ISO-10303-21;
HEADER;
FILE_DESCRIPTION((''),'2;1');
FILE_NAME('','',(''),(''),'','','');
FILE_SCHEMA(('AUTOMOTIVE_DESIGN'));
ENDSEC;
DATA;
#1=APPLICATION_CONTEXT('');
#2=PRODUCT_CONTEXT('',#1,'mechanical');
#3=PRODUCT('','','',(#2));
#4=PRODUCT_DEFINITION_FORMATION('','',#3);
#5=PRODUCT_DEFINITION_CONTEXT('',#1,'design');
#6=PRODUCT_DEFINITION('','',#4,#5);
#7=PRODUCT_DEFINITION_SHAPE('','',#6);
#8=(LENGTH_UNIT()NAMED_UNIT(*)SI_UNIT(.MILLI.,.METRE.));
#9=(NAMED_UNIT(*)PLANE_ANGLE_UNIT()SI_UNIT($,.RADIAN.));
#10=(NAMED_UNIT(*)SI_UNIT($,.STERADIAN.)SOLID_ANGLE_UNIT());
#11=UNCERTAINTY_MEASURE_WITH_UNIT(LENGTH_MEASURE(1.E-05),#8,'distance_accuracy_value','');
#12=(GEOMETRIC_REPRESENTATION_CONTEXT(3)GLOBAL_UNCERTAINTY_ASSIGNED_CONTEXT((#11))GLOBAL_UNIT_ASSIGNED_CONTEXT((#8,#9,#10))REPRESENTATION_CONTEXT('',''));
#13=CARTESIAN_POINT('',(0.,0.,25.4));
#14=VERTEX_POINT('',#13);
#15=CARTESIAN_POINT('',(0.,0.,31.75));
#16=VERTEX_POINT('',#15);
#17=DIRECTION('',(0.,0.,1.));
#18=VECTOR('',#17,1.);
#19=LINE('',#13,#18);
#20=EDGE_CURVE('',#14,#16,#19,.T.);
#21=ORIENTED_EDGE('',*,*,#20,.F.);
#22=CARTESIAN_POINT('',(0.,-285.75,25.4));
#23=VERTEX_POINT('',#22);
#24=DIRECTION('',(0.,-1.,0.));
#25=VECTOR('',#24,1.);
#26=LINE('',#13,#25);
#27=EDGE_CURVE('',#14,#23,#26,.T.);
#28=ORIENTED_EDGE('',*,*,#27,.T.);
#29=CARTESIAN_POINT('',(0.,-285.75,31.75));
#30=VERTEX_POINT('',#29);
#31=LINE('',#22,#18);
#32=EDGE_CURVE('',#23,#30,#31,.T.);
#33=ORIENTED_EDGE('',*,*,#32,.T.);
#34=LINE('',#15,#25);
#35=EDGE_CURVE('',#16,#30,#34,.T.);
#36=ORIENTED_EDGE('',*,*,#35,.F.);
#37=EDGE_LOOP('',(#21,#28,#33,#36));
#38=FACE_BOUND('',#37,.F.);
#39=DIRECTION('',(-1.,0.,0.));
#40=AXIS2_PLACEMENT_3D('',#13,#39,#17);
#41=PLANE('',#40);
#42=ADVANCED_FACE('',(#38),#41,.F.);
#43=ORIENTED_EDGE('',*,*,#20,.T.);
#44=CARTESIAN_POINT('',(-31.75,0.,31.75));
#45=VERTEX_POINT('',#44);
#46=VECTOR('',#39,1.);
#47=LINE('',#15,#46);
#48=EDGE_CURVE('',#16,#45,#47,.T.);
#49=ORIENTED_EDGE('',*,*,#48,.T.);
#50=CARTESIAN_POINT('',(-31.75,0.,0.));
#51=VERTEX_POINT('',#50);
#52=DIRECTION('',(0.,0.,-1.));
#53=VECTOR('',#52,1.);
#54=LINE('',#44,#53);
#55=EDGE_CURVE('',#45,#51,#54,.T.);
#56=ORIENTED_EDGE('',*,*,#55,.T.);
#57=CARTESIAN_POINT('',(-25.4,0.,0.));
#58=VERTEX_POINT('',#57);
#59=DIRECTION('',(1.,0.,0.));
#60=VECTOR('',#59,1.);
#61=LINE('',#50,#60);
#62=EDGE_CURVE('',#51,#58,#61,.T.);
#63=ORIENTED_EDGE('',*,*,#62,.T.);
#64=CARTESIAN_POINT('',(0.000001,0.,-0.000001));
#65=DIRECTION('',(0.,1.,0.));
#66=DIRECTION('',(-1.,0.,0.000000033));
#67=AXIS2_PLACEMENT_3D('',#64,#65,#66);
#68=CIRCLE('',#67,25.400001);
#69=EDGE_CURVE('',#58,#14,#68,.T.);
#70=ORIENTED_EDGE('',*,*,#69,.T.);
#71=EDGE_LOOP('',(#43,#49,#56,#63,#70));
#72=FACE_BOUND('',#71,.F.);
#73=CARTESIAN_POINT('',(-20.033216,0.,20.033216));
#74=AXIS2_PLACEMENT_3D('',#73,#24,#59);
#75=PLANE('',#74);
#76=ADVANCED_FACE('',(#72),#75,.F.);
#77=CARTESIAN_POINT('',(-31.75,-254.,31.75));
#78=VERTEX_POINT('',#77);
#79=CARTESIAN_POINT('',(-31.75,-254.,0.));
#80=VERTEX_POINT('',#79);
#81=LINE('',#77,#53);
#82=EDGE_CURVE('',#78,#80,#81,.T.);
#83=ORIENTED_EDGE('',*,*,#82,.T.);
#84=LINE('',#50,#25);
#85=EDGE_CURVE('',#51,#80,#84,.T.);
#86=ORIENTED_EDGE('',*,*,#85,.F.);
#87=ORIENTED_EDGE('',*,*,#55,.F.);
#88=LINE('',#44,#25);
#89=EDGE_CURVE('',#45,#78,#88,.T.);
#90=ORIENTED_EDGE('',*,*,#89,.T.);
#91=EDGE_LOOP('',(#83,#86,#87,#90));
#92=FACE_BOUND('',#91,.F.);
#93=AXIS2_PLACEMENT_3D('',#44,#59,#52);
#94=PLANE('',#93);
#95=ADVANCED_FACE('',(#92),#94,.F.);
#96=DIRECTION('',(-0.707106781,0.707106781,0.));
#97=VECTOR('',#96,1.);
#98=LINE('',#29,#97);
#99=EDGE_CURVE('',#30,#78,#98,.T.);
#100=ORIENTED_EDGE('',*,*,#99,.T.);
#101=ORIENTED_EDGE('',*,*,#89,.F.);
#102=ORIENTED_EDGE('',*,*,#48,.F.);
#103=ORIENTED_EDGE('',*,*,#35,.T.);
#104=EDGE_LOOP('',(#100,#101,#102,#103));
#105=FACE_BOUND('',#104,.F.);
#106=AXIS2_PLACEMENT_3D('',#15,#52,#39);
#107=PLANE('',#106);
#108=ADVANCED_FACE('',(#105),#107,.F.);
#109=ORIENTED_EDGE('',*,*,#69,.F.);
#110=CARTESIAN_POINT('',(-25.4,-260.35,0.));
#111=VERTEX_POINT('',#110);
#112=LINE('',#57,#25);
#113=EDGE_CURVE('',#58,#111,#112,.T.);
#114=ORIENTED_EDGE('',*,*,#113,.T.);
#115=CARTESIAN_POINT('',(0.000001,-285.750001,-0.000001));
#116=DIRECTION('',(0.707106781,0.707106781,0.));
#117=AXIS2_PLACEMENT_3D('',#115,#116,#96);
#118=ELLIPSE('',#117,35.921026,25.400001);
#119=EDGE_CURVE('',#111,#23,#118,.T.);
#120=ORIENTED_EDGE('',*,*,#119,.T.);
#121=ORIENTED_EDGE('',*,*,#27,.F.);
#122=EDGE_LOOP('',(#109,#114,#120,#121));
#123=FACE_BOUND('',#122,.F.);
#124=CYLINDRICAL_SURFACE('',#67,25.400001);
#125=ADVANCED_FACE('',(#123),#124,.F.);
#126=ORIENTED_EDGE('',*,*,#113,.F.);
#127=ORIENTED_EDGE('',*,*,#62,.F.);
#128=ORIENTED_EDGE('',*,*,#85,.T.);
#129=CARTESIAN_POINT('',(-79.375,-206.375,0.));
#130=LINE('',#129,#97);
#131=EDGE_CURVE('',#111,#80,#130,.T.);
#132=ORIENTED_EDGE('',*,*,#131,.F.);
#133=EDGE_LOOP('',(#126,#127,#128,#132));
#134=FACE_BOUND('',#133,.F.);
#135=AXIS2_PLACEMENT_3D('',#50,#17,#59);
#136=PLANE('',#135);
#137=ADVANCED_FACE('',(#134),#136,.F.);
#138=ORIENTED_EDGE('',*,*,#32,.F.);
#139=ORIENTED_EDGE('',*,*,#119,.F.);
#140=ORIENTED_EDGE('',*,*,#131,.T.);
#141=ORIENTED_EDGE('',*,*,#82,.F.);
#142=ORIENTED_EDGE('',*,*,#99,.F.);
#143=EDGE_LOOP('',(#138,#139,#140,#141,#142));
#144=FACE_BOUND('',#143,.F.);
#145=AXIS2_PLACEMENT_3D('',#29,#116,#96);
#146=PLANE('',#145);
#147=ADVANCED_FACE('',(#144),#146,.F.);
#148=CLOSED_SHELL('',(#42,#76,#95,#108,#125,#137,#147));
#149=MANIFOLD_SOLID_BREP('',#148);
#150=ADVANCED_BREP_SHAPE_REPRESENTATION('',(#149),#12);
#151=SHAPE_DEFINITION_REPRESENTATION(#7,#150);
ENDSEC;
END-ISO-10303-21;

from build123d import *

# Parameters (mm, degrees)
F1_DEPTH = 285.75
F3_DEPTH = 50.8


with BuildPart() as f1:
    # F0 (on Front) → F1 (new body)
    with BuildSketch(Plane.XZ):
        with BuildLine():
            Line((-31.75, 0), (-25.4, 0))
            ThreePointArc((-25.4, 0), (-17.960512, 17.960512), (0, 25.4))
            Line((0, 25.4), (0, 31.75))
            Line((0, 31.75), (-31.75, 31.75))
            Line((-31.75, 31.75), (-31.75, 0))
        make_face()
    extrude(amount=F1_DEPTH)

    # F2 (on face) → F3 (cut)
    with BuildSketch(Plane.XY.offset(31.75)):
        Polygon((-31.75, -285.75), (0, -285.75), (-31.75, -254), align=None)
    extrude(amount=-F3_DEPTH, mode=Mode.SUBTRACT)


solid = f1.part
